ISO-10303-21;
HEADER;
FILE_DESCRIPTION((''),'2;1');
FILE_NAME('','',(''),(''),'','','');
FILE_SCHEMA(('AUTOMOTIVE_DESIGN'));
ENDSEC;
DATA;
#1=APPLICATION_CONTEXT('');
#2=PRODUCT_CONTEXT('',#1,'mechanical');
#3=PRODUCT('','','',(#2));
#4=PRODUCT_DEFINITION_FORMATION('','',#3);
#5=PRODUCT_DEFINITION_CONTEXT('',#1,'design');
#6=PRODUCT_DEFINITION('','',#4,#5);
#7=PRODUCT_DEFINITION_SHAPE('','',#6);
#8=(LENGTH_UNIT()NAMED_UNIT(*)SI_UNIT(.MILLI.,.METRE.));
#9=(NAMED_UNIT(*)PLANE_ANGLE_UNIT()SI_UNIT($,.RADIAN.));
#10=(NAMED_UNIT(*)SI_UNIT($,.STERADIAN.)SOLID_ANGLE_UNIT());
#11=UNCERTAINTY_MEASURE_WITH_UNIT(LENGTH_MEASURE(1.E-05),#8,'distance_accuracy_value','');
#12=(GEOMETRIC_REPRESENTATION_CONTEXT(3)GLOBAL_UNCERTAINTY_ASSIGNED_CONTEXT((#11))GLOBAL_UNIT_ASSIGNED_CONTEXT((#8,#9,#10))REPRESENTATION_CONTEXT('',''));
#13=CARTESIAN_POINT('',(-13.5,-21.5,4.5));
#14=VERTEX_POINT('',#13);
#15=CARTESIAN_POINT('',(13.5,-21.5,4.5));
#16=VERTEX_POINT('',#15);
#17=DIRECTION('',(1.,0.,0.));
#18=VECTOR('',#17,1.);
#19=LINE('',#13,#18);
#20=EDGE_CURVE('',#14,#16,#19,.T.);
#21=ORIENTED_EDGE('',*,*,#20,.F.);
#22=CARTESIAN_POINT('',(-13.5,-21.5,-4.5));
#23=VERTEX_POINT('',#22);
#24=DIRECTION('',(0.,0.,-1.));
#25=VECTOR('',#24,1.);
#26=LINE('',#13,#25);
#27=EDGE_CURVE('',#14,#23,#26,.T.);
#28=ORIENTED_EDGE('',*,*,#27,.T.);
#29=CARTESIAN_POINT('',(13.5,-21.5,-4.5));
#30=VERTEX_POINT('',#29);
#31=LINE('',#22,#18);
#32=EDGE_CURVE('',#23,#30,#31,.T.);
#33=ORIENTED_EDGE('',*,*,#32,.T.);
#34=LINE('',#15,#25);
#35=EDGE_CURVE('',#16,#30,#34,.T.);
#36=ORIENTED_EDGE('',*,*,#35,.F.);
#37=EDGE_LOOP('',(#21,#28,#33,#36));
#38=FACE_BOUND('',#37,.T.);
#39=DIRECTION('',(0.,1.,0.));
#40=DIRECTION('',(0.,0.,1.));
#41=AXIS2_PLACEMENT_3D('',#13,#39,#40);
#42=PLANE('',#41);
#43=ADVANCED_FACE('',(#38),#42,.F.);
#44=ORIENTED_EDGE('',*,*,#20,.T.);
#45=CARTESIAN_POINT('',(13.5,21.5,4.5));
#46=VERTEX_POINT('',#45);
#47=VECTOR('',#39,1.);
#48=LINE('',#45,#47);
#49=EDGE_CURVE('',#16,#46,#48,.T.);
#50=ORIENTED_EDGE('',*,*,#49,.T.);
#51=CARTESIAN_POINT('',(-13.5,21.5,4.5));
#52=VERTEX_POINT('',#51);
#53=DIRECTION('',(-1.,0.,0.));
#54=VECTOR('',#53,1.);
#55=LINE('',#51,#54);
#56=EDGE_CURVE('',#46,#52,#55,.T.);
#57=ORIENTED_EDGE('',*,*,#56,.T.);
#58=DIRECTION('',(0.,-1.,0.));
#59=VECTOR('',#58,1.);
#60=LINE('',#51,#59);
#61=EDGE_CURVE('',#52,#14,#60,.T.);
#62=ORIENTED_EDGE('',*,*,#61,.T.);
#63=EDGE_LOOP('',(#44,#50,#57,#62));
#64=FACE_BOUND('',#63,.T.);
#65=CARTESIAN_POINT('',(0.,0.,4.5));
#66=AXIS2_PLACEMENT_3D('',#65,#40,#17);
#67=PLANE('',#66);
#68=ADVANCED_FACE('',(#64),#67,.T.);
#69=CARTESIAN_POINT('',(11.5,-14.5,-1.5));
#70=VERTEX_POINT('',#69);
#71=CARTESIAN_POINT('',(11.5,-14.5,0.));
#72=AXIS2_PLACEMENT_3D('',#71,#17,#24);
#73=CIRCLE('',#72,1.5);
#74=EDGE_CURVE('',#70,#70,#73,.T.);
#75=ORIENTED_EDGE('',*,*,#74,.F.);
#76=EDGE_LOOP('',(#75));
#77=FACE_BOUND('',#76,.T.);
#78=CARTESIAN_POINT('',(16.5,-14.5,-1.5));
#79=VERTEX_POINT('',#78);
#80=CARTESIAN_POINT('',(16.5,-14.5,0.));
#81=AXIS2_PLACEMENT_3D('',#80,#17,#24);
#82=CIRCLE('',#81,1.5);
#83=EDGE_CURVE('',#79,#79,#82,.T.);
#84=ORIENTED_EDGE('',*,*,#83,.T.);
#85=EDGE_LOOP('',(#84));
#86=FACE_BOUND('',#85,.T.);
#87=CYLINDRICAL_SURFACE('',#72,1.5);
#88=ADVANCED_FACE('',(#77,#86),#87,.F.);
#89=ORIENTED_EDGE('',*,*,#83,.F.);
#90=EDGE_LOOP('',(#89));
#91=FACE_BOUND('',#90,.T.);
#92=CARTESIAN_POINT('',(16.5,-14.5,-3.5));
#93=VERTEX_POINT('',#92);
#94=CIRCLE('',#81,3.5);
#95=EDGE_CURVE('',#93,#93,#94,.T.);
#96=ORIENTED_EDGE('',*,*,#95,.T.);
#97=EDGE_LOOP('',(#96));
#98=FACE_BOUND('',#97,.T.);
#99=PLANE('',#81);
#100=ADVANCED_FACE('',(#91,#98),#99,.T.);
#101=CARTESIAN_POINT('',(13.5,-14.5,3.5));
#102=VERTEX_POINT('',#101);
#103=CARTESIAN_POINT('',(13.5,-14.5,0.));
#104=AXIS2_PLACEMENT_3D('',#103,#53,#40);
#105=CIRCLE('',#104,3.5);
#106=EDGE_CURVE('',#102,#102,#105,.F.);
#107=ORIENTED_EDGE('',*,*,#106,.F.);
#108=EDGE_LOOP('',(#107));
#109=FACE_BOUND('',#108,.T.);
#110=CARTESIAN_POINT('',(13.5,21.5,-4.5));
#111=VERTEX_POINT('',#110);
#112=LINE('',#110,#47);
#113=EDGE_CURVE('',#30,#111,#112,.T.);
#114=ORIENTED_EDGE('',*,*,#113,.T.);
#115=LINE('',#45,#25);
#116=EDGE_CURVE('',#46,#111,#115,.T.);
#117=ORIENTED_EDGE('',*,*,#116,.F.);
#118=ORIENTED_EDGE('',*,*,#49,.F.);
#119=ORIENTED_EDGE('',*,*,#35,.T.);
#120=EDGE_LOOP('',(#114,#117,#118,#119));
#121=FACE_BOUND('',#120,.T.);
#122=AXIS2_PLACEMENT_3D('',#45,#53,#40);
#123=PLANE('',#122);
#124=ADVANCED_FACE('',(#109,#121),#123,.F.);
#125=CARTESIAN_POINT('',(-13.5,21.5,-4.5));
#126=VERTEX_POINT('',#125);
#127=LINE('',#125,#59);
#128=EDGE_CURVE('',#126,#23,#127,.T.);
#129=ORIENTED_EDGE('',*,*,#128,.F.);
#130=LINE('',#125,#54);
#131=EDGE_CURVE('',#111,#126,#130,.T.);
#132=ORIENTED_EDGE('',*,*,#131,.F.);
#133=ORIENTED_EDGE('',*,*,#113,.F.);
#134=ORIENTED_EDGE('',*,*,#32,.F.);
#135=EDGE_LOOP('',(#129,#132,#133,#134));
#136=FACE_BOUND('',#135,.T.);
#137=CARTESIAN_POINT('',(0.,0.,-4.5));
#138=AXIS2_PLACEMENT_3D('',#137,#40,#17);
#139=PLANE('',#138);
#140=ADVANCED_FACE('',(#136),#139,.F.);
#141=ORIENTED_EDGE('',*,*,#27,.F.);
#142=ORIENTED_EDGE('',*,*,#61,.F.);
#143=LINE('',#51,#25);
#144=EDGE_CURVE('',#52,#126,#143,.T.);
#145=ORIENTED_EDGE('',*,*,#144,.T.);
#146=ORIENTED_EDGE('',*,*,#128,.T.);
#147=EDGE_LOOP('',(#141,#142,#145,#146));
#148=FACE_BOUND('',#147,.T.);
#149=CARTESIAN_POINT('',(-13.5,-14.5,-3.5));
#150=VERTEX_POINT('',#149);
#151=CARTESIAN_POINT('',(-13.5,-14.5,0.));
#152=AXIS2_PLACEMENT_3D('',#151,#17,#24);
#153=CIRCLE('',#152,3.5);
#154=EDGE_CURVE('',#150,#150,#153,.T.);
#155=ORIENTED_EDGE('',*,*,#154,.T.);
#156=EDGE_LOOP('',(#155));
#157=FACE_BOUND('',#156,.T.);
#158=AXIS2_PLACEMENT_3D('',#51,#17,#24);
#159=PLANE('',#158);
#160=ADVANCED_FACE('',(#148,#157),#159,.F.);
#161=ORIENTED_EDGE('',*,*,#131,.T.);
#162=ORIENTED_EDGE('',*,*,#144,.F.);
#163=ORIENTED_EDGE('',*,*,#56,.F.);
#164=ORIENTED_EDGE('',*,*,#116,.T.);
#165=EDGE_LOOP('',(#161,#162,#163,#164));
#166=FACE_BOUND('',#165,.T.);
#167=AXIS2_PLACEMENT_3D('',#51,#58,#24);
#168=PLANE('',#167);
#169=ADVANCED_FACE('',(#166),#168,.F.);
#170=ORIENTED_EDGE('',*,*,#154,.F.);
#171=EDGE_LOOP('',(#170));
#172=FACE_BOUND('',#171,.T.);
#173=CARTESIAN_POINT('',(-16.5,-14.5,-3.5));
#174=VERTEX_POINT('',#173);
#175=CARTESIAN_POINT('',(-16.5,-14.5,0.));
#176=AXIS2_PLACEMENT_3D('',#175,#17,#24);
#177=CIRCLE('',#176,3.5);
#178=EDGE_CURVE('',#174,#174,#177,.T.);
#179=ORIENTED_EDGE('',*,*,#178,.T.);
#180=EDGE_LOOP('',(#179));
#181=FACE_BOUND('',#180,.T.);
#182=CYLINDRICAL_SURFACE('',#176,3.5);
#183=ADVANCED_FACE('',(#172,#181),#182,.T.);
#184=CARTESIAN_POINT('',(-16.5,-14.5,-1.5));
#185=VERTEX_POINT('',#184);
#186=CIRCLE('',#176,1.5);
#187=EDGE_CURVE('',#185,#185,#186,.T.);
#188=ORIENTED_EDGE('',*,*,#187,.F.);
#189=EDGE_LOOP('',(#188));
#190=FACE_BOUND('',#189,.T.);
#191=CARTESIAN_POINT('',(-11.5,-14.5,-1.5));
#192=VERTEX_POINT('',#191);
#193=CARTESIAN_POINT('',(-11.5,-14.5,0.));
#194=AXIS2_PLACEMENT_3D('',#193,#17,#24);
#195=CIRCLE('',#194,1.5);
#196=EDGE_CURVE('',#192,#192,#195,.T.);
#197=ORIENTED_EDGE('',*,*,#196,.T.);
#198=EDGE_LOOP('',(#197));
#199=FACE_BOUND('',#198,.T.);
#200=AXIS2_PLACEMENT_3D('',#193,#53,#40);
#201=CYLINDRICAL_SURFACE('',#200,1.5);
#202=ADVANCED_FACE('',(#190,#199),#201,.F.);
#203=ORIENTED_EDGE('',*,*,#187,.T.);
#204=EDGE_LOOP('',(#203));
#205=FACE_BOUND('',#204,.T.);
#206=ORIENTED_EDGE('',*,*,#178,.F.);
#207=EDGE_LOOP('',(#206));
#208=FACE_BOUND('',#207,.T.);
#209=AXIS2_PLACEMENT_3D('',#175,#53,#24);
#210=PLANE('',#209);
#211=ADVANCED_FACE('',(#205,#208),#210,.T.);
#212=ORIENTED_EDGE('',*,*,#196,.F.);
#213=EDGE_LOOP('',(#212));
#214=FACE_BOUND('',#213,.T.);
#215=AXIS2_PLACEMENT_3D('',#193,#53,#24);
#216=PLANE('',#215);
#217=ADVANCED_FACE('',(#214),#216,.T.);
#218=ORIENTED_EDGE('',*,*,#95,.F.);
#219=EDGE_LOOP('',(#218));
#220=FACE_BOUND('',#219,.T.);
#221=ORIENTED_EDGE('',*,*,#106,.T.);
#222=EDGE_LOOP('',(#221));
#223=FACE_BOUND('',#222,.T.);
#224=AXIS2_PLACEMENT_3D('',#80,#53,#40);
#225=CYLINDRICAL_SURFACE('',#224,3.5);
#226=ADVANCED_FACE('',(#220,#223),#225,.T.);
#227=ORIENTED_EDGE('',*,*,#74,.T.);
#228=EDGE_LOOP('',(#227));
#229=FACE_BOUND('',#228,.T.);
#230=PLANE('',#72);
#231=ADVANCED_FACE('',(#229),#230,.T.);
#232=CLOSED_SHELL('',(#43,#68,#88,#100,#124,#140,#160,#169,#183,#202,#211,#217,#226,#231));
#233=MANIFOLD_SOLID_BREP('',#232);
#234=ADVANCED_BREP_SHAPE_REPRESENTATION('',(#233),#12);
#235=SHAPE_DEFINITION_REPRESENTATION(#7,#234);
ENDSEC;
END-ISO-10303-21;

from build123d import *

# Parameters (mm, degrees)
CROQUIS1_W              = 27
CROQUIS1_H              = 43
SALIENTE_EXTRUIR1_DEPTH = 4.5
CROQUIS2_R              = 3.5
SALIENTE_EXTRUIR2_DEPTH = 3
CROQUIS3_R              = 1.5
CORTAR_EXTRUIR1_DEPTH   = 5


with BuildPart() as part:
    # Croquis1 → Saliente-Extruir1 (new, symmetric)
    with BuildSketch(Plane.XY):
        Rectangle(CROQUIS1_W, CROQUIS1_H)
    extrude(amount=SALIENTE_EXTRUIR1_DEPTH, both=True)

    # Croquis2 → Saliente-Extruir2 (add)
    with BuildSketch(Plane(origin=(13.5, 0, 0), x_dir=(0, 0, -1), z_dir=(1, 0, 0))):
        with Locations(Location((0, -14.5, 0), (0, 0, 180))):
            Circle(CROQUIS2_R)
    saliente_extruir2 = extrude(amount=SALIENTE_EXTRUIR2_DEPTH)

    # Croquis3 → Cortar-Extruir1 (cut)
    with BuildSketch(Plane(origin=(16.5, 0, 0), x_dir=(0, 0, -1), z_dir=(1, 0, 0))):
        with Locations((0, -14.5)):
            Circle(CROQUIS3_R)
    cortar_extruir1 = extrude(amount=-CORTAR_EXTRUIR1_DEPTH, mode=Mode.SUBTRACT)

    # Simetría2: Saliente-Extruir2, Cortar-Extruir1 across plane
    add(saliente_extruir2.mirror(Plane(origin=(0, 0, 0), x_dir=(0, 0, 1), z_dir=(1, 0, 0))))
    add(cortar_extruir1.mirror(Plane(origin=(0, 0, 0), x_dir=(0, 0, 1), z_dir=(1, 0, 0))), mode=Mode.SUBTRACT)


solid = part.part
